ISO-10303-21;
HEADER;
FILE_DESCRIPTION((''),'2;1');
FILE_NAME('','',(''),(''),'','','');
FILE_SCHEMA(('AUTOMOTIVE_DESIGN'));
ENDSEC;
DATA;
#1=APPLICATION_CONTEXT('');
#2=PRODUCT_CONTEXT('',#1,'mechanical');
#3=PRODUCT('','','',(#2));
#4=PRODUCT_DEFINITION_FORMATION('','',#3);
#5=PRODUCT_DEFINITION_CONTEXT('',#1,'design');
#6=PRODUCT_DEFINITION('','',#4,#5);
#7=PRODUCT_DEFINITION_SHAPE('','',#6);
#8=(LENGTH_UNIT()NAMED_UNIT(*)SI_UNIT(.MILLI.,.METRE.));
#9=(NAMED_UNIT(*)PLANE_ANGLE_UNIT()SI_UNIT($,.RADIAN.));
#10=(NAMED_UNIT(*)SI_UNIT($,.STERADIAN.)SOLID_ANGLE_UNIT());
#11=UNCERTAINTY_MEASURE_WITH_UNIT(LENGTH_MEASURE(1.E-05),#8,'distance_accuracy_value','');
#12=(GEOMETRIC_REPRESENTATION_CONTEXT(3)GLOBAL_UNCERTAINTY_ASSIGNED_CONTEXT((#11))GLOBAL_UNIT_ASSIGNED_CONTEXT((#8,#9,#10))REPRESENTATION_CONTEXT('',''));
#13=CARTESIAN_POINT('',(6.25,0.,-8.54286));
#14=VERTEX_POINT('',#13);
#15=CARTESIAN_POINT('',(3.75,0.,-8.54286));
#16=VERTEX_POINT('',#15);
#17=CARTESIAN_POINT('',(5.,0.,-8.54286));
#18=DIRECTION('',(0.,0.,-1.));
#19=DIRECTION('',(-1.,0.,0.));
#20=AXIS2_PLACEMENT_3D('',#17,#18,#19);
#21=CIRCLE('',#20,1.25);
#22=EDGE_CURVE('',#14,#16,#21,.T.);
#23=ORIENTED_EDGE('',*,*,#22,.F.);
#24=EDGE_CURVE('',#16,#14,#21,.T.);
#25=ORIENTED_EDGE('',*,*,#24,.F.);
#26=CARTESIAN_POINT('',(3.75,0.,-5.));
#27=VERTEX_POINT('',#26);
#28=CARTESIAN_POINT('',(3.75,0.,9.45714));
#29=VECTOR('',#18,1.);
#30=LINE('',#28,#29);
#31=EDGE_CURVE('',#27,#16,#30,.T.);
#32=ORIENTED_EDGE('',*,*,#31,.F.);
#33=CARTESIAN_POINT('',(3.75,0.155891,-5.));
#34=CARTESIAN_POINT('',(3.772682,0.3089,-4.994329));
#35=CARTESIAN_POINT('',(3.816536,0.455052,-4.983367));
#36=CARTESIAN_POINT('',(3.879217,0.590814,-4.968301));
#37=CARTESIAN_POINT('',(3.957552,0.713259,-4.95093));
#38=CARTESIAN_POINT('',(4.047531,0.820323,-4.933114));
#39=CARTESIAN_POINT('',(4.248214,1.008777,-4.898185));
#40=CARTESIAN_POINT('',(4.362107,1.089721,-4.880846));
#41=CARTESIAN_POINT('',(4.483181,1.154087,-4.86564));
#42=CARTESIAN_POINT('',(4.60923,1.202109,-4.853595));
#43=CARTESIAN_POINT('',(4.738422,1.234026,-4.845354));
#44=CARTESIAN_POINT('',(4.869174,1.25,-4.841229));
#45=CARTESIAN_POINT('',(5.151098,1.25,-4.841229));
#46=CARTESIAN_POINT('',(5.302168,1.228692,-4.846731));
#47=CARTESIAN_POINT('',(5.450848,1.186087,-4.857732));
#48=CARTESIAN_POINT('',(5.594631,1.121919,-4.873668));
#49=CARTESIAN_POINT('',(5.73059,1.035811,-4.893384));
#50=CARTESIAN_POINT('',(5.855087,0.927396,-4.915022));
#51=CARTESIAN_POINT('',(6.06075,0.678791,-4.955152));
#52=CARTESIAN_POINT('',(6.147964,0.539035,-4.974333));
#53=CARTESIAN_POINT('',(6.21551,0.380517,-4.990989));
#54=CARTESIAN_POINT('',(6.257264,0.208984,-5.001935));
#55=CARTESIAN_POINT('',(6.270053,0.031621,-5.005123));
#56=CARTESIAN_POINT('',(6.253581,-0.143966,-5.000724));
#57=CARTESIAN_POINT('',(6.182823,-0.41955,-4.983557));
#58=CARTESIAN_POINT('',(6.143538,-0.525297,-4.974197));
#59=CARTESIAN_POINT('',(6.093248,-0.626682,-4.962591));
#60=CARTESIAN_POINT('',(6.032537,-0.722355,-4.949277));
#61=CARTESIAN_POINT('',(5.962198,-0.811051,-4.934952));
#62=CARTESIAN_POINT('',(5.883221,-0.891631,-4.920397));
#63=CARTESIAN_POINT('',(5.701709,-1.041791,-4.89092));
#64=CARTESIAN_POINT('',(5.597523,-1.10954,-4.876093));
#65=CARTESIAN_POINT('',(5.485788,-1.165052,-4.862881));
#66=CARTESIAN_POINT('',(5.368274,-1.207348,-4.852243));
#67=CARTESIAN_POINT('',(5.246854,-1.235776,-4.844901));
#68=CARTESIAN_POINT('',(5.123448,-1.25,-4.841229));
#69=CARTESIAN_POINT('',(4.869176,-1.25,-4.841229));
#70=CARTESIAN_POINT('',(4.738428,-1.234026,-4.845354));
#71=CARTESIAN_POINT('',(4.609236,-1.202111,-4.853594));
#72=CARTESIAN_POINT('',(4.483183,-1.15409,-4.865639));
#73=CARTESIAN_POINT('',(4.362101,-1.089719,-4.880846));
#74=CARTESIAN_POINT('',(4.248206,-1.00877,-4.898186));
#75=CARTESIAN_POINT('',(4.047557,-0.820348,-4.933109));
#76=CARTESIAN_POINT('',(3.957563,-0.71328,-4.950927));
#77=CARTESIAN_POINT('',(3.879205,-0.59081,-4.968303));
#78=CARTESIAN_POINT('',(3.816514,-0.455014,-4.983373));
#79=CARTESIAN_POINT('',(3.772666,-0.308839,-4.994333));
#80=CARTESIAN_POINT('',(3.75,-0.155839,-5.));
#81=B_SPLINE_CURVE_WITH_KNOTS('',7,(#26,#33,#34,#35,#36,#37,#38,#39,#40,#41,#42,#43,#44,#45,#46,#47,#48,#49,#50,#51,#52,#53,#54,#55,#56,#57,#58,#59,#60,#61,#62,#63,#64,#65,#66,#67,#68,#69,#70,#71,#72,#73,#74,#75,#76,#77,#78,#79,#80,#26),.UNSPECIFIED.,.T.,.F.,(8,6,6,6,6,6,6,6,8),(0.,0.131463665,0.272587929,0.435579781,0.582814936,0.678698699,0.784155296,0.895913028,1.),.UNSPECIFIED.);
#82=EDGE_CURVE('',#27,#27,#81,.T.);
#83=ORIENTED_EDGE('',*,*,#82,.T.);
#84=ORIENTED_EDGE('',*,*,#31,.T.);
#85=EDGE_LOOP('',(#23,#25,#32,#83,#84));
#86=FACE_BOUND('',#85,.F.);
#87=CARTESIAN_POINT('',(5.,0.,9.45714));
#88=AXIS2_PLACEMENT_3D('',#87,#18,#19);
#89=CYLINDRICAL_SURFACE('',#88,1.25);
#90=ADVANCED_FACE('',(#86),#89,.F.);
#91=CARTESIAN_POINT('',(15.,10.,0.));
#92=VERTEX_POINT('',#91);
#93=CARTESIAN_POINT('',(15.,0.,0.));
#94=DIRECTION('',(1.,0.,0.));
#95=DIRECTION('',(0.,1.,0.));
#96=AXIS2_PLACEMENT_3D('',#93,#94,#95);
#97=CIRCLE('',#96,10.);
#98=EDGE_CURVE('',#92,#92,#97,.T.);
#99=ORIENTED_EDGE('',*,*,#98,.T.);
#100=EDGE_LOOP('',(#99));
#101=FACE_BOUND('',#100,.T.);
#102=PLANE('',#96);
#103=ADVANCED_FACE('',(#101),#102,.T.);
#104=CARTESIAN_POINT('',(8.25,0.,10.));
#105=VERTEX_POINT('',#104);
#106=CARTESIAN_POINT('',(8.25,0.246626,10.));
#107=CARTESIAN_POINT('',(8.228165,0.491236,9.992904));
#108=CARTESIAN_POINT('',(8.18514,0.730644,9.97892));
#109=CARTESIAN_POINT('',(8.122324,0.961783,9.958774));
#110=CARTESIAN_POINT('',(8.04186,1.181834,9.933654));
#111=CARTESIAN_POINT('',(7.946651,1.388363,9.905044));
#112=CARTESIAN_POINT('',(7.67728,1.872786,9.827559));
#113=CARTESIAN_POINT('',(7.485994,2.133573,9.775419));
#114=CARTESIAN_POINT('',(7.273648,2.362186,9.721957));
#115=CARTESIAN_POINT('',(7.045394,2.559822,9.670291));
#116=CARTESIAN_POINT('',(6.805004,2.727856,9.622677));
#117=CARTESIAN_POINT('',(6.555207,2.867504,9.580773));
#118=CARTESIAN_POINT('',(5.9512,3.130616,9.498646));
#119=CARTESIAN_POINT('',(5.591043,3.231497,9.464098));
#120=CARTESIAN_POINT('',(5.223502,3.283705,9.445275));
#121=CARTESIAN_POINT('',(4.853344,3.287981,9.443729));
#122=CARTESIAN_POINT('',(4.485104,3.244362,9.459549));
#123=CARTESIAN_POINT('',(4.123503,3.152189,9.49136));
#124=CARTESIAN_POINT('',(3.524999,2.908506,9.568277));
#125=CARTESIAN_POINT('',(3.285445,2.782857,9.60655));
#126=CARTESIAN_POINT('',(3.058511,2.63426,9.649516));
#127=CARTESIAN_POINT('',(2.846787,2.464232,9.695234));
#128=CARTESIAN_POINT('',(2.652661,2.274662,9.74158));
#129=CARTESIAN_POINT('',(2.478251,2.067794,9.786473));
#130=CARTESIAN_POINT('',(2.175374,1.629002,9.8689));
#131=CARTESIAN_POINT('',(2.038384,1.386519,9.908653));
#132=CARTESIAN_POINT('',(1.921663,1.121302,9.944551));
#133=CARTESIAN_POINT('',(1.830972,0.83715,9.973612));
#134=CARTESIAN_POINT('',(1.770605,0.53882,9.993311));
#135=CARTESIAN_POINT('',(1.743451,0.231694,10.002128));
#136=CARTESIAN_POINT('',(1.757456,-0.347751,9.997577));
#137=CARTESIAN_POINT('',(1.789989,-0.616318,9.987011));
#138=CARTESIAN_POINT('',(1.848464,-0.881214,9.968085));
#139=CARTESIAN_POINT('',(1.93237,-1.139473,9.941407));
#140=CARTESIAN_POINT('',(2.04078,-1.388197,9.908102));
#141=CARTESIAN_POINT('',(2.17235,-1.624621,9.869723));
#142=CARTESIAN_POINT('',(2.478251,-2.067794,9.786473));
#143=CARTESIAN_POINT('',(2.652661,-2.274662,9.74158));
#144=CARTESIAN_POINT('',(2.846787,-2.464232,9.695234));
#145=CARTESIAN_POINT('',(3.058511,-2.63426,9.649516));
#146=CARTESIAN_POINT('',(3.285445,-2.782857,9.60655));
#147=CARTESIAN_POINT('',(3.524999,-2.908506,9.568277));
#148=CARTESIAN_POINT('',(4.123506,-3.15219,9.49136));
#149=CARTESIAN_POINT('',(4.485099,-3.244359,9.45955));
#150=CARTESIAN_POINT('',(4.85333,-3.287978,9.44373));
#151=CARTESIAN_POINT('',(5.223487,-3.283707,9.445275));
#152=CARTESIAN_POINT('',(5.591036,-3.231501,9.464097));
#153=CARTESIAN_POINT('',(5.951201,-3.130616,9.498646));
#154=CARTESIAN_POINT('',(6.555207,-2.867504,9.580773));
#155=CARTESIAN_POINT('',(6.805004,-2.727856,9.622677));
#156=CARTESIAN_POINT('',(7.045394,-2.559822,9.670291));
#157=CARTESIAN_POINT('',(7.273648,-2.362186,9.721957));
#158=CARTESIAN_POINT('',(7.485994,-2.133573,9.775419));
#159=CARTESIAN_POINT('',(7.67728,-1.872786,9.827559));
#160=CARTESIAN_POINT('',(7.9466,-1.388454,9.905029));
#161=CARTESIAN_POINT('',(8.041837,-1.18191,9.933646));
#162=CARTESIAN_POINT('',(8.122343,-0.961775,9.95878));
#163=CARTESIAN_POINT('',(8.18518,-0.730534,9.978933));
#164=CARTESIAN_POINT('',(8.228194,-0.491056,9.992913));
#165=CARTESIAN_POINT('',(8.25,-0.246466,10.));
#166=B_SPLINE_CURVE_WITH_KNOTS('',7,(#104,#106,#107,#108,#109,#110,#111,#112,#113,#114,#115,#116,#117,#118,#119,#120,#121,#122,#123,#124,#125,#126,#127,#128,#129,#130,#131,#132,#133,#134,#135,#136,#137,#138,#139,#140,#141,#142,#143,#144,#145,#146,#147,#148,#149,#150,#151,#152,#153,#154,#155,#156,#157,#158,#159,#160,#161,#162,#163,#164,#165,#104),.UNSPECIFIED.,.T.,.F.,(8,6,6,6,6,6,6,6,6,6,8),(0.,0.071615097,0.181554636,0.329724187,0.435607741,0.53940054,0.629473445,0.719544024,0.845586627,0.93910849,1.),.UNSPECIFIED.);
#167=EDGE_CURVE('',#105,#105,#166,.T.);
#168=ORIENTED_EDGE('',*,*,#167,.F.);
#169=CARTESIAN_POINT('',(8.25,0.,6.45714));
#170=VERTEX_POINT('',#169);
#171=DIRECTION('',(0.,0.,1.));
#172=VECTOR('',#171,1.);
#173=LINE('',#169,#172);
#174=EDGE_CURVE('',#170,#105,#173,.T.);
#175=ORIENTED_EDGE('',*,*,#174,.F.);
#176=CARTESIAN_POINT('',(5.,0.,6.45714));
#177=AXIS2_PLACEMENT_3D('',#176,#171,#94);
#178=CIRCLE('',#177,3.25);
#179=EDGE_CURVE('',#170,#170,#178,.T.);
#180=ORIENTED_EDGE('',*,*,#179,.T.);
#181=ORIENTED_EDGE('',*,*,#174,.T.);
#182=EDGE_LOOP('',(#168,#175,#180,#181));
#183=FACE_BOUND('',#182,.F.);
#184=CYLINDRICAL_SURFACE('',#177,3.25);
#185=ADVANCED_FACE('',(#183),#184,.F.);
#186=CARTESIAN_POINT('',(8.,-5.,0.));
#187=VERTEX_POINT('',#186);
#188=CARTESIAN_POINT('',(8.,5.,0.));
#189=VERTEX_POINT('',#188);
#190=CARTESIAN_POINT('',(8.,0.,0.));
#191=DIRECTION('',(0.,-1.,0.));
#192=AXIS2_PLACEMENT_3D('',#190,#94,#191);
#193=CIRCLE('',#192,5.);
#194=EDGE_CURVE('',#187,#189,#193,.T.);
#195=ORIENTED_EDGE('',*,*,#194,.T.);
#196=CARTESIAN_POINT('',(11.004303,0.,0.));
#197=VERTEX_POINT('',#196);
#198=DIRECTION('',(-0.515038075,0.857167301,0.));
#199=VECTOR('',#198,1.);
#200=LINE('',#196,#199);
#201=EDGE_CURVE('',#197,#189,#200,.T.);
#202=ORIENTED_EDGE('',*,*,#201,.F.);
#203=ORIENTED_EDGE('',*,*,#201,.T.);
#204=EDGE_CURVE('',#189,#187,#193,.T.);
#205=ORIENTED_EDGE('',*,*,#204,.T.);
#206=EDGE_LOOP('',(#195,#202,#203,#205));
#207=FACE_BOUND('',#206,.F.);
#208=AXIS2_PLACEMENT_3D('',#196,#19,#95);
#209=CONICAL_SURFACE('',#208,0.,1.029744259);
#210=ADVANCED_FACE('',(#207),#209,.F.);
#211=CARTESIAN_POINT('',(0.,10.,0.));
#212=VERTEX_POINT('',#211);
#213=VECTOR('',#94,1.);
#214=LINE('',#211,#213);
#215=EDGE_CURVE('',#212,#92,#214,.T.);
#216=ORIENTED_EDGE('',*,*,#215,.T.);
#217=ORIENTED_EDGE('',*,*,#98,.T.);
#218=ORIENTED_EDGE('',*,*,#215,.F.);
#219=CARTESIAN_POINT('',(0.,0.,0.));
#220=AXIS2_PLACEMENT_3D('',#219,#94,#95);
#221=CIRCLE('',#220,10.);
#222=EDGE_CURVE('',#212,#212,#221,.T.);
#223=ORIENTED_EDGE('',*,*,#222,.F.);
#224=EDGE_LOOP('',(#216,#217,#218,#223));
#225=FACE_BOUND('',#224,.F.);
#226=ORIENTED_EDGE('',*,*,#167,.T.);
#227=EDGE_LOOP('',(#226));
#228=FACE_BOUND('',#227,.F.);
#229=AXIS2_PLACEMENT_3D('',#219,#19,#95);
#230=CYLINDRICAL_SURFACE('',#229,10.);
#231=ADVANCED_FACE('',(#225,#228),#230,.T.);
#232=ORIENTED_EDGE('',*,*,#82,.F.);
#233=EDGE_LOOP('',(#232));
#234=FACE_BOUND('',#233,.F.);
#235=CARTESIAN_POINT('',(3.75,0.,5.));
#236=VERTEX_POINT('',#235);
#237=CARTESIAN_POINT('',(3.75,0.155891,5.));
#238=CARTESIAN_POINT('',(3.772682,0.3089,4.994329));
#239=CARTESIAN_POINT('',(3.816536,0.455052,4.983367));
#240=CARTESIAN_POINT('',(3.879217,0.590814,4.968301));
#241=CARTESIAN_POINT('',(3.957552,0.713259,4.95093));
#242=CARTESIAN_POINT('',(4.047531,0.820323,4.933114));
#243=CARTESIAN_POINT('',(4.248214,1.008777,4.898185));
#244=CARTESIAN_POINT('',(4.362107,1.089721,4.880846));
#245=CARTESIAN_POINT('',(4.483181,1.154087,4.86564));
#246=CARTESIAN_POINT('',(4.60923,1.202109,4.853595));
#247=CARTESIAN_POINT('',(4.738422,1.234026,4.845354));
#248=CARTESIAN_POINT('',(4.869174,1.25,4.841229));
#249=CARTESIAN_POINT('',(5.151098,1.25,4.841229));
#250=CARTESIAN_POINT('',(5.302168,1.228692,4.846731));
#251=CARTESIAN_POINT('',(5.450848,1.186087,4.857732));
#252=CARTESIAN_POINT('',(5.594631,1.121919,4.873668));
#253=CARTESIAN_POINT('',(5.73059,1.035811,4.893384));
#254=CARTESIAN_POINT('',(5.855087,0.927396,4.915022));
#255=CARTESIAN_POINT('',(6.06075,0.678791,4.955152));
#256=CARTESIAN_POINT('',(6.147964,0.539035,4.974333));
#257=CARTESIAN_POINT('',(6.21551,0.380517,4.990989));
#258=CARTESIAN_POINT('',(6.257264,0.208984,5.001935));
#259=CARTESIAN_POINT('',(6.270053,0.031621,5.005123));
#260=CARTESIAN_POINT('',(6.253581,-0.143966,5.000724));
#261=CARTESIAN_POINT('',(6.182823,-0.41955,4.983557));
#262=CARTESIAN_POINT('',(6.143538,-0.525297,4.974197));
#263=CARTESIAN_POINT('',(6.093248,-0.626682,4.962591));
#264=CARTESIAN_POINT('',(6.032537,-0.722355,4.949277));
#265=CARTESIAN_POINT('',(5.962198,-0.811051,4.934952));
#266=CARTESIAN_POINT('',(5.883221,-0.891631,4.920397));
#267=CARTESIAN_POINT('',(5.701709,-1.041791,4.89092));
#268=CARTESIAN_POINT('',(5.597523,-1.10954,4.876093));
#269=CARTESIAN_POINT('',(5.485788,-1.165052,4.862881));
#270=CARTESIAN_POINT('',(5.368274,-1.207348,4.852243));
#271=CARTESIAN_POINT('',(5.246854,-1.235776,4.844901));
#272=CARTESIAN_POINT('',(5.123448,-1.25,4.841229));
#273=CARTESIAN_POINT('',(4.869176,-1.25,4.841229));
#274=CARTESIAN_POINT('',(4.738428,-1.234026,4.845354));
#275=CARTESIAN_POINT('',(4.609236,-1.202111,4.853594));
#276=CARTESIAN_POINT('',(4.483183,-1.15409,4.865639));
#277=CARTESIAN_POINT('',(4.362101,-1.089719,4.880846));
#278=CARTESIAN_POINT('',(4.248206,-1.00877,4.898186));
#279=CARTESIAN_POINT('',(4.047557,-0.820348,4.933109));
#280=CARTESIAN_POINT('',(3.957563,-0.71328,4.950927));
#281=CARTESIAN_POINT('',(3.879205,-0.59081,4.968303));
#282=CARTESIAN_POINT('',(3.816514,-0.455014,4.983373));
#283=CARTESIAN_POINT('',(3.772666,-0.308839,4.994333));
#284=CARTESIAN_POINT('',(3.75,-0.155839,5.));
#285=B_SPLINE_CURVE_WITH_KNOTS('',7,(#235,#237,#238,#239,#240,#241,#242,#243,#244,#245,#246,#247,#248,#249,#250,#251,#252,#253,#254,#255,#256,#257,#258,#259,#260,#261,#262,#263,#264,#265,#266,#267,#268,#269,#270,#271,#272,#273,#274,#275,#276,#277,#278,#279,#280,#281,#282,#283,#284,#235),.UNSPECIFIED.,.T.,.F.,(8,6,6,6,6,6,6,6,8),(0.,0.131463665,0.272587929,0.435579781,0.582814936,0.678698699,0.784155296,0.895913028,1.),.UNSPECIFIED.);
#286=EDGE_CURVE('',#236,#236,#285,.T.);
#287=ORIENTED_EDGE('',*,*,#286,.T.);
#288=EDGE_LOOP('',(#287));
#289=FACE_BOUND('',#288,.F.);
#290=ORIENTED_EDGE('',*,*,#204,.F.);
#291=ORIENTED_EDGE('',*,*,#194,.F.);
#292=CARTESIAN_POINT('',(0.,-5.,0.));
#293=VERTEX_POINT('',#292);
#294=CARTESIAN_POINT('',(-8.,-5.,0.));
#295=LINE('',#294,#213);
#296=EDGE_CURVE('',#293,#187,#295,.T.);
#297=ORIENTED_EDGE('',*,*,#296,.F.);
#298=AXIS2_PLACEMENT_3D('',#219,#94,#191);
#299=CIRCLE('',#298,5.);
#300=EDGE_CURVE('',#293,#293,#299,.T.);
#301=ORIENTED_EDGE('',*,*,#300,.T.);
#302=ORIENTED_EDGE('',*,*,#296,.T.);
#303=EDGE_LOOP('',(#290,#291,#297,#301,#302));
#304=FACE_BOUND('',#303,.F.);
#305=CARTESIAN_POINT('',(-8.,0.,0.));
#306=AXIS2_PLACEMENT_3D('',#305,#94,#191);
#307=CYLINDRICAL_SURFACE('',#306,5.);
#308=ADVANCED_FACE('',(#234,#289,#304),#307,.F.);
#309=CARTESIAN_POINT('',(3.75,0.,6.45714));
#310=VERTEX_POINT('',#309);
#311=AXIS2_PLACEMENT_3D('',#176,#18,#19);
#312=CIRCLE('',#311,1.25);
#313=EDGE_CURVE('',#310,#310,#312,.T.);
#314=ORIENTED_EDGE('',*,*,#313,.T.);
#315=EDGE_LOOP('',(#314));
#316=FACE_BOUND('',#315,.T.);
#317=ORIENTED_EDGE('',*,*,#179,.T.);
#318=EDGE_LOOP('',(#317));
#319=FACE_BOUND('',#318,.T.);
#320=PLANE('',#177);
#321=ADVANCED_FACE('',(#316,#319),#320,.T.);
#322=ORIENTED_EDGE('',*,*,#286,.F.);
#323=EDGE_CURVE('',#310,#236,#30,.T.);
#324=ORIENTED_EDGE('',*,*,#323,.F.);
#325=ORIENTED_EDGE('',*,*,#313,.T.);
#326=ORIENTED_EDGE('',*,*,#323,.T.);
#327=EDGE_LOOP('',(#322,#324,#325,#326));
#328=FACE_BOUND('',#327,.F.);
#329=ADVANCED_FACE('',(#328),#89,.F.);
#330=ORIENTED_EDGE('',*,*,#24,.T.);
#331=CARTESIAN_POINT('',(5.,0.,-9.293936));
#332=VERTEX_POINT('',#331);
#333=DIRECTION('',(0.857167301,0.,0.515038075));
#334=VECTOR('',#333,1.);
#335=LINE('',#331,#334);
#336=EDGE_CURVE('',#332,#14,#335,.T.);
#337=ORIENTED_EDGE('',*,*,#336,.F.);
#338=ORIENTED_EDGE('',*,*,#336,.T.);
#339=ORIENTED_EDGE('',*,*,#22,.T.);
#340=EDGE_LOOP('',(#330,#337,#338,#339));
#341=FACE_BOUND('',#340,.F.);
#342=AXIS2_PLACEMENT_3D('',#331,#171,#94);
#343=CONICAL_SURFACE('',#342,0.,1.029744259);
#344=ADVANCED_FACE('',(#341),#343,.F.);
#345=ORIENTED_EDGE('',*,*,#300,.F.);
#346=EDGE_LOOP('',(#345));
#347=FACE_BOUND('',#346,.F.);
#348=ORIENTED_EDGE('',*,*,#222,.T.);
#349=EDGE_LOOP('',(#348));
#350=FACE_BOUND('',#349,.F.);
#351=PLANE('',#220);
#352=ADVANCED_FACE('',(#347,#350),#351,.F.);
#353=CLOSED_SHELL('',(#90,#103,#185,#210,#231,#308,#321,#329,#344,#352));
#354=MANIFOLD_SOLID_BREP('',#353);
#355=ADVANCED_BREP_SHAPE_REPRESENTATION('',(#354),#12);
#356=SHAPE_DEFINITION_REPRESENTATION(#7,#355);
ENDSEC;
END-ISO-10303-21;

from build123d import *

# Parameters (mm, degrees)
F0_R           = 10
F1_DEPTH       = 15
F2_D           = 10
F2_DEPTH       = 8
F2_TIP         = 3.0043030951
F6_D           = 2.5
F6_DEPTH       = 18
F6_START       = 0.5428599
F6_CBORE_D     = 6.5
F6_CBORE_DEPTH = 3
F6_TIP         = 0.7510757738


with BuildPart() as f1:
    # F0 (on Right) → F1 (new body)
    with BuildSketch(Plane.YZ):
        Circle(F0_R)
    extrude(amount=F1_DEPTH)

    # F2
    with Locations(Plane(origin=(0, 0, 0), x_dir=(0, 1, 0), z_dir=(-1, 0, 0))):
        with Locations((0, 0)):
            Hole(F2_D / 2, depth=F2_DEPTH)
            with Locations((0, 0, -(F2_DEPTH + F2_TIP / 2))):  # 118° drill point
                Cone(0, F2_D / 2, F2_TIP, mode=Mode.SUBTRACT)

    # F6
    # its depths count from where the whole tool has entered the part; down to there all is cleared
    with Locations(Plane.XY.offset(10).offset(-F6_START)):
        with Locations((5, 0)):
            CounterBoreHole(F6_D / 2, F6_CBORE_D / 2, F6_CBORE_DEPTH, depth=F6_DEPTH)
            with Locations((0, 0, -(F6_DEPTH + F6_TIP / 2))):  # 118° drill point
                Cone(0, F6_D / 2, F6_TIP, mode=Mode.SUBTRACT)


solid = f1.part
